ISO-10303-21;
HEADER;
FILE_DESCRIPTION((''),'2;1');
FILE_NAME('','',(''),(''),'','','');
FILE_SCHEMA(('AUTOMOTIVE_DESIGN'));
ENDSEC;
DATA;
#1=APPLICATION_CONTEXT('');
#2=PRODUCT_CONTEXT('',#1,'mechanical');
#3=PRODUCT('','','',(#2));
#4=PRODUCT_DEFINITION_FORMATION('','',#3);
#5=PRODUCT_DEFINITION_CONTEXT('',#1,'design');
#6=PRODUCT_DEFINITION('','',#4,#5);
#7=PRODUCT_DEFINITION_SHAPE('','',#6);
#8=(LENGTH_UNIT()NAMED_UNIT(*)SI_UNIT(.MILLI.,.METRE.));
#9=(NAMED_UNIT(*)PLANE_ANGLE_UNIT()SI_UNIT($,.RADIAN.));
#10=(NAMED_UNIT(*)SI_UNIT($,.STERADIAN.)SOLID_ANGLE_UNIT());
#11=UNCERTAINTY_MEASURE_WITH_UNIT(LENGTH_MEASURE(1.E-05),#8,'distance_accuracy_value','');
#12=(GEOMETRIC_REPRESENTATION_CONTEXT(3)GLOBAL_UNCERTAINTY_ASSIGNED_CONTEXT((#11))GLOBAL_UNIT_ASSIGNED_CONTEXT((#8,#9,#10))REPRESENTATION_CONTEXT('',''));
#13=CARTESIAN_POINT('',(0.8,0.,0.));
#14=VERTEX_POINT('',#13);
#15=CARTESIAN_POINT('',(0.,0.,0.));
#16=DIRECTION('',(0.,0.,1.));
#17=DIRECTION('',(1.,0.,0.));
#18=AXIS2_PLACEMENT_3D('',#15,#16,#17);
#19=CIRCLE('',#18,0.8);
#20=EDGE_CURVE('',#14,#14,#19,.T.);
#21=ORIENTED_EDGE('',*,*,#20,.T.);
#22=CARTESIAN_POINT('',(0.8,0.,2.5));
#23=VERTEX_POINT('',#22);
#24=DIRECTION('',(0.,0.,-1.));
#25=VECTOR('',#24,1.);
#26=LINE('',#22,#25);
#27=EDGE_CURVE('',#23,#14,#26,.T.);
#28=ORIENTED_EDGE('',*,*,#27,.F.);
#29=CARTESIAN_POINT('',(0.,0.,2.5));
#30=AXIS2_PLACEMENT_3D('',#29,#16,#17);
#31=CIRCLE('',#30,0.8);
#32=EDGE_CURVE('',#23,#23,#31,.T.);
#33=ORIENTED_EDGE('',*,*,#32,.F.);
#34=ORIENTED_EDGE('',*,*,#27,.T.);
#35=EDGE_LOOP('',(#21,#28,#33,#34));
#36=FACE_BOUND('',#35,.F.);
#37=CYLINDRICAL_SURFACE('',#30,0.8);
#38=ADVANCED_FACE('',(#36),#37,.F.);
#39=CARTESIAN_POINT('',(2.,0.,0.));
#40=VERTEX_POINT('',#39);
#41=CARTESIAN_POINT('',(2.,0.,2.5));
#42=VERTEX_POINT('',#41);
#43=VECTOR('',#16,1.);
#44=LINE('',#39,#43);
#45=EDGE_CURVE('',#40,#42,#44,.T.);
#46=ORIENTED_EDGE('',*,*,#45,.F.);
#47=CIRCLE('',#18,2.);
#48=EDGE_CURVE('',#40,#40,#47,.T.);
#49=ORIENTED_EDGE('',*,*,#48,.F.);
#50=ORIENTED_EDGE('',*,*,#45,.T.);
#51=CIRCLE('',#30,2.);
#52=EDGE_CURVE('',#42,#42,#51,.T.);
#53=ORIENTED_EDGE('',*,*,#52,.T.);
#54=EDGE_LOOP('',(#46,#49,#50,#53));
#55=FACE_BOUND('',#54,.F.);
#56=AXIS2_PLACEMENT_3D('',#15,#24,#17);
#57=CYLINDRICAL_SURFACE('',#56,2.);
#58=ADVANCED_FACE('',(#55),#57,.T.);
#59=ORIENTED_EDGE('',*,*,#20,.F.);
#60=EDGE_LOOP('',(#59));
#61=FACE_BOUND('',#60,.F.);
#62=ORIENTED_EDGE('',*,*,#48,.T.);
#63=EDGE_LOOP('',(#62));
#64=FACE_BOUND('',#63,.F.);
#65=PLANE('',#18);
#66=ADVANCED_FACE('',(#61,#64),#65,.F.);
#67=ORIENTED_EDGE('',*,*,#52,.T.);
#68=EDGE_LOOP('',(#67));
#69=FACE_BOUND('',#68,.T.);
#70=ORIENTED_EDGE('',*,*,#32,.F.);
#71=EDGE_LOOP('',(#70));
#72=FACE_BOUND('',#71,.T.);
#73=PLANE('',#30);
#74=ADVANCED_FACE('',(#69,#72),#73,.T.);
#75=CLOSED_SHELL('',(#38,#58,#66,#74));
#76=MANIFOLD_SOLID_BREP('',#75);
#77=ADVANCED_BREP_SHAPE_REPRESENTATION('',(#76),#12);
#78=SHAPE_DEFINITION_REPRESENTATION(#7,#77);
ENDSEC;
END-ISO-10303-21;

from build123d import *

# Parameters (mm, degrees)
SKETCH_R     = 2
PAD_DEPTH    = 2.5
SKETCH001_R  = 0.8
POCKET_DEPTH = 5


with BuildPart() as part:
    # Sketch → Pad (new body)
    with BuildSketch(Plane.XY):
        Circle(SKETCH_R)
    extrude(amount=PAD_DEPTH)

    # Sketch001 (on Face3 of Pad) → Pocket (cut)
    with BuildSketch(Plane.XY.offset(2.5)):
        Circle(SKETCH001_R)
    extrude(amount=-POCKET_DEPTH, mode=Mode.SUBTRACT)


solid = part.part
